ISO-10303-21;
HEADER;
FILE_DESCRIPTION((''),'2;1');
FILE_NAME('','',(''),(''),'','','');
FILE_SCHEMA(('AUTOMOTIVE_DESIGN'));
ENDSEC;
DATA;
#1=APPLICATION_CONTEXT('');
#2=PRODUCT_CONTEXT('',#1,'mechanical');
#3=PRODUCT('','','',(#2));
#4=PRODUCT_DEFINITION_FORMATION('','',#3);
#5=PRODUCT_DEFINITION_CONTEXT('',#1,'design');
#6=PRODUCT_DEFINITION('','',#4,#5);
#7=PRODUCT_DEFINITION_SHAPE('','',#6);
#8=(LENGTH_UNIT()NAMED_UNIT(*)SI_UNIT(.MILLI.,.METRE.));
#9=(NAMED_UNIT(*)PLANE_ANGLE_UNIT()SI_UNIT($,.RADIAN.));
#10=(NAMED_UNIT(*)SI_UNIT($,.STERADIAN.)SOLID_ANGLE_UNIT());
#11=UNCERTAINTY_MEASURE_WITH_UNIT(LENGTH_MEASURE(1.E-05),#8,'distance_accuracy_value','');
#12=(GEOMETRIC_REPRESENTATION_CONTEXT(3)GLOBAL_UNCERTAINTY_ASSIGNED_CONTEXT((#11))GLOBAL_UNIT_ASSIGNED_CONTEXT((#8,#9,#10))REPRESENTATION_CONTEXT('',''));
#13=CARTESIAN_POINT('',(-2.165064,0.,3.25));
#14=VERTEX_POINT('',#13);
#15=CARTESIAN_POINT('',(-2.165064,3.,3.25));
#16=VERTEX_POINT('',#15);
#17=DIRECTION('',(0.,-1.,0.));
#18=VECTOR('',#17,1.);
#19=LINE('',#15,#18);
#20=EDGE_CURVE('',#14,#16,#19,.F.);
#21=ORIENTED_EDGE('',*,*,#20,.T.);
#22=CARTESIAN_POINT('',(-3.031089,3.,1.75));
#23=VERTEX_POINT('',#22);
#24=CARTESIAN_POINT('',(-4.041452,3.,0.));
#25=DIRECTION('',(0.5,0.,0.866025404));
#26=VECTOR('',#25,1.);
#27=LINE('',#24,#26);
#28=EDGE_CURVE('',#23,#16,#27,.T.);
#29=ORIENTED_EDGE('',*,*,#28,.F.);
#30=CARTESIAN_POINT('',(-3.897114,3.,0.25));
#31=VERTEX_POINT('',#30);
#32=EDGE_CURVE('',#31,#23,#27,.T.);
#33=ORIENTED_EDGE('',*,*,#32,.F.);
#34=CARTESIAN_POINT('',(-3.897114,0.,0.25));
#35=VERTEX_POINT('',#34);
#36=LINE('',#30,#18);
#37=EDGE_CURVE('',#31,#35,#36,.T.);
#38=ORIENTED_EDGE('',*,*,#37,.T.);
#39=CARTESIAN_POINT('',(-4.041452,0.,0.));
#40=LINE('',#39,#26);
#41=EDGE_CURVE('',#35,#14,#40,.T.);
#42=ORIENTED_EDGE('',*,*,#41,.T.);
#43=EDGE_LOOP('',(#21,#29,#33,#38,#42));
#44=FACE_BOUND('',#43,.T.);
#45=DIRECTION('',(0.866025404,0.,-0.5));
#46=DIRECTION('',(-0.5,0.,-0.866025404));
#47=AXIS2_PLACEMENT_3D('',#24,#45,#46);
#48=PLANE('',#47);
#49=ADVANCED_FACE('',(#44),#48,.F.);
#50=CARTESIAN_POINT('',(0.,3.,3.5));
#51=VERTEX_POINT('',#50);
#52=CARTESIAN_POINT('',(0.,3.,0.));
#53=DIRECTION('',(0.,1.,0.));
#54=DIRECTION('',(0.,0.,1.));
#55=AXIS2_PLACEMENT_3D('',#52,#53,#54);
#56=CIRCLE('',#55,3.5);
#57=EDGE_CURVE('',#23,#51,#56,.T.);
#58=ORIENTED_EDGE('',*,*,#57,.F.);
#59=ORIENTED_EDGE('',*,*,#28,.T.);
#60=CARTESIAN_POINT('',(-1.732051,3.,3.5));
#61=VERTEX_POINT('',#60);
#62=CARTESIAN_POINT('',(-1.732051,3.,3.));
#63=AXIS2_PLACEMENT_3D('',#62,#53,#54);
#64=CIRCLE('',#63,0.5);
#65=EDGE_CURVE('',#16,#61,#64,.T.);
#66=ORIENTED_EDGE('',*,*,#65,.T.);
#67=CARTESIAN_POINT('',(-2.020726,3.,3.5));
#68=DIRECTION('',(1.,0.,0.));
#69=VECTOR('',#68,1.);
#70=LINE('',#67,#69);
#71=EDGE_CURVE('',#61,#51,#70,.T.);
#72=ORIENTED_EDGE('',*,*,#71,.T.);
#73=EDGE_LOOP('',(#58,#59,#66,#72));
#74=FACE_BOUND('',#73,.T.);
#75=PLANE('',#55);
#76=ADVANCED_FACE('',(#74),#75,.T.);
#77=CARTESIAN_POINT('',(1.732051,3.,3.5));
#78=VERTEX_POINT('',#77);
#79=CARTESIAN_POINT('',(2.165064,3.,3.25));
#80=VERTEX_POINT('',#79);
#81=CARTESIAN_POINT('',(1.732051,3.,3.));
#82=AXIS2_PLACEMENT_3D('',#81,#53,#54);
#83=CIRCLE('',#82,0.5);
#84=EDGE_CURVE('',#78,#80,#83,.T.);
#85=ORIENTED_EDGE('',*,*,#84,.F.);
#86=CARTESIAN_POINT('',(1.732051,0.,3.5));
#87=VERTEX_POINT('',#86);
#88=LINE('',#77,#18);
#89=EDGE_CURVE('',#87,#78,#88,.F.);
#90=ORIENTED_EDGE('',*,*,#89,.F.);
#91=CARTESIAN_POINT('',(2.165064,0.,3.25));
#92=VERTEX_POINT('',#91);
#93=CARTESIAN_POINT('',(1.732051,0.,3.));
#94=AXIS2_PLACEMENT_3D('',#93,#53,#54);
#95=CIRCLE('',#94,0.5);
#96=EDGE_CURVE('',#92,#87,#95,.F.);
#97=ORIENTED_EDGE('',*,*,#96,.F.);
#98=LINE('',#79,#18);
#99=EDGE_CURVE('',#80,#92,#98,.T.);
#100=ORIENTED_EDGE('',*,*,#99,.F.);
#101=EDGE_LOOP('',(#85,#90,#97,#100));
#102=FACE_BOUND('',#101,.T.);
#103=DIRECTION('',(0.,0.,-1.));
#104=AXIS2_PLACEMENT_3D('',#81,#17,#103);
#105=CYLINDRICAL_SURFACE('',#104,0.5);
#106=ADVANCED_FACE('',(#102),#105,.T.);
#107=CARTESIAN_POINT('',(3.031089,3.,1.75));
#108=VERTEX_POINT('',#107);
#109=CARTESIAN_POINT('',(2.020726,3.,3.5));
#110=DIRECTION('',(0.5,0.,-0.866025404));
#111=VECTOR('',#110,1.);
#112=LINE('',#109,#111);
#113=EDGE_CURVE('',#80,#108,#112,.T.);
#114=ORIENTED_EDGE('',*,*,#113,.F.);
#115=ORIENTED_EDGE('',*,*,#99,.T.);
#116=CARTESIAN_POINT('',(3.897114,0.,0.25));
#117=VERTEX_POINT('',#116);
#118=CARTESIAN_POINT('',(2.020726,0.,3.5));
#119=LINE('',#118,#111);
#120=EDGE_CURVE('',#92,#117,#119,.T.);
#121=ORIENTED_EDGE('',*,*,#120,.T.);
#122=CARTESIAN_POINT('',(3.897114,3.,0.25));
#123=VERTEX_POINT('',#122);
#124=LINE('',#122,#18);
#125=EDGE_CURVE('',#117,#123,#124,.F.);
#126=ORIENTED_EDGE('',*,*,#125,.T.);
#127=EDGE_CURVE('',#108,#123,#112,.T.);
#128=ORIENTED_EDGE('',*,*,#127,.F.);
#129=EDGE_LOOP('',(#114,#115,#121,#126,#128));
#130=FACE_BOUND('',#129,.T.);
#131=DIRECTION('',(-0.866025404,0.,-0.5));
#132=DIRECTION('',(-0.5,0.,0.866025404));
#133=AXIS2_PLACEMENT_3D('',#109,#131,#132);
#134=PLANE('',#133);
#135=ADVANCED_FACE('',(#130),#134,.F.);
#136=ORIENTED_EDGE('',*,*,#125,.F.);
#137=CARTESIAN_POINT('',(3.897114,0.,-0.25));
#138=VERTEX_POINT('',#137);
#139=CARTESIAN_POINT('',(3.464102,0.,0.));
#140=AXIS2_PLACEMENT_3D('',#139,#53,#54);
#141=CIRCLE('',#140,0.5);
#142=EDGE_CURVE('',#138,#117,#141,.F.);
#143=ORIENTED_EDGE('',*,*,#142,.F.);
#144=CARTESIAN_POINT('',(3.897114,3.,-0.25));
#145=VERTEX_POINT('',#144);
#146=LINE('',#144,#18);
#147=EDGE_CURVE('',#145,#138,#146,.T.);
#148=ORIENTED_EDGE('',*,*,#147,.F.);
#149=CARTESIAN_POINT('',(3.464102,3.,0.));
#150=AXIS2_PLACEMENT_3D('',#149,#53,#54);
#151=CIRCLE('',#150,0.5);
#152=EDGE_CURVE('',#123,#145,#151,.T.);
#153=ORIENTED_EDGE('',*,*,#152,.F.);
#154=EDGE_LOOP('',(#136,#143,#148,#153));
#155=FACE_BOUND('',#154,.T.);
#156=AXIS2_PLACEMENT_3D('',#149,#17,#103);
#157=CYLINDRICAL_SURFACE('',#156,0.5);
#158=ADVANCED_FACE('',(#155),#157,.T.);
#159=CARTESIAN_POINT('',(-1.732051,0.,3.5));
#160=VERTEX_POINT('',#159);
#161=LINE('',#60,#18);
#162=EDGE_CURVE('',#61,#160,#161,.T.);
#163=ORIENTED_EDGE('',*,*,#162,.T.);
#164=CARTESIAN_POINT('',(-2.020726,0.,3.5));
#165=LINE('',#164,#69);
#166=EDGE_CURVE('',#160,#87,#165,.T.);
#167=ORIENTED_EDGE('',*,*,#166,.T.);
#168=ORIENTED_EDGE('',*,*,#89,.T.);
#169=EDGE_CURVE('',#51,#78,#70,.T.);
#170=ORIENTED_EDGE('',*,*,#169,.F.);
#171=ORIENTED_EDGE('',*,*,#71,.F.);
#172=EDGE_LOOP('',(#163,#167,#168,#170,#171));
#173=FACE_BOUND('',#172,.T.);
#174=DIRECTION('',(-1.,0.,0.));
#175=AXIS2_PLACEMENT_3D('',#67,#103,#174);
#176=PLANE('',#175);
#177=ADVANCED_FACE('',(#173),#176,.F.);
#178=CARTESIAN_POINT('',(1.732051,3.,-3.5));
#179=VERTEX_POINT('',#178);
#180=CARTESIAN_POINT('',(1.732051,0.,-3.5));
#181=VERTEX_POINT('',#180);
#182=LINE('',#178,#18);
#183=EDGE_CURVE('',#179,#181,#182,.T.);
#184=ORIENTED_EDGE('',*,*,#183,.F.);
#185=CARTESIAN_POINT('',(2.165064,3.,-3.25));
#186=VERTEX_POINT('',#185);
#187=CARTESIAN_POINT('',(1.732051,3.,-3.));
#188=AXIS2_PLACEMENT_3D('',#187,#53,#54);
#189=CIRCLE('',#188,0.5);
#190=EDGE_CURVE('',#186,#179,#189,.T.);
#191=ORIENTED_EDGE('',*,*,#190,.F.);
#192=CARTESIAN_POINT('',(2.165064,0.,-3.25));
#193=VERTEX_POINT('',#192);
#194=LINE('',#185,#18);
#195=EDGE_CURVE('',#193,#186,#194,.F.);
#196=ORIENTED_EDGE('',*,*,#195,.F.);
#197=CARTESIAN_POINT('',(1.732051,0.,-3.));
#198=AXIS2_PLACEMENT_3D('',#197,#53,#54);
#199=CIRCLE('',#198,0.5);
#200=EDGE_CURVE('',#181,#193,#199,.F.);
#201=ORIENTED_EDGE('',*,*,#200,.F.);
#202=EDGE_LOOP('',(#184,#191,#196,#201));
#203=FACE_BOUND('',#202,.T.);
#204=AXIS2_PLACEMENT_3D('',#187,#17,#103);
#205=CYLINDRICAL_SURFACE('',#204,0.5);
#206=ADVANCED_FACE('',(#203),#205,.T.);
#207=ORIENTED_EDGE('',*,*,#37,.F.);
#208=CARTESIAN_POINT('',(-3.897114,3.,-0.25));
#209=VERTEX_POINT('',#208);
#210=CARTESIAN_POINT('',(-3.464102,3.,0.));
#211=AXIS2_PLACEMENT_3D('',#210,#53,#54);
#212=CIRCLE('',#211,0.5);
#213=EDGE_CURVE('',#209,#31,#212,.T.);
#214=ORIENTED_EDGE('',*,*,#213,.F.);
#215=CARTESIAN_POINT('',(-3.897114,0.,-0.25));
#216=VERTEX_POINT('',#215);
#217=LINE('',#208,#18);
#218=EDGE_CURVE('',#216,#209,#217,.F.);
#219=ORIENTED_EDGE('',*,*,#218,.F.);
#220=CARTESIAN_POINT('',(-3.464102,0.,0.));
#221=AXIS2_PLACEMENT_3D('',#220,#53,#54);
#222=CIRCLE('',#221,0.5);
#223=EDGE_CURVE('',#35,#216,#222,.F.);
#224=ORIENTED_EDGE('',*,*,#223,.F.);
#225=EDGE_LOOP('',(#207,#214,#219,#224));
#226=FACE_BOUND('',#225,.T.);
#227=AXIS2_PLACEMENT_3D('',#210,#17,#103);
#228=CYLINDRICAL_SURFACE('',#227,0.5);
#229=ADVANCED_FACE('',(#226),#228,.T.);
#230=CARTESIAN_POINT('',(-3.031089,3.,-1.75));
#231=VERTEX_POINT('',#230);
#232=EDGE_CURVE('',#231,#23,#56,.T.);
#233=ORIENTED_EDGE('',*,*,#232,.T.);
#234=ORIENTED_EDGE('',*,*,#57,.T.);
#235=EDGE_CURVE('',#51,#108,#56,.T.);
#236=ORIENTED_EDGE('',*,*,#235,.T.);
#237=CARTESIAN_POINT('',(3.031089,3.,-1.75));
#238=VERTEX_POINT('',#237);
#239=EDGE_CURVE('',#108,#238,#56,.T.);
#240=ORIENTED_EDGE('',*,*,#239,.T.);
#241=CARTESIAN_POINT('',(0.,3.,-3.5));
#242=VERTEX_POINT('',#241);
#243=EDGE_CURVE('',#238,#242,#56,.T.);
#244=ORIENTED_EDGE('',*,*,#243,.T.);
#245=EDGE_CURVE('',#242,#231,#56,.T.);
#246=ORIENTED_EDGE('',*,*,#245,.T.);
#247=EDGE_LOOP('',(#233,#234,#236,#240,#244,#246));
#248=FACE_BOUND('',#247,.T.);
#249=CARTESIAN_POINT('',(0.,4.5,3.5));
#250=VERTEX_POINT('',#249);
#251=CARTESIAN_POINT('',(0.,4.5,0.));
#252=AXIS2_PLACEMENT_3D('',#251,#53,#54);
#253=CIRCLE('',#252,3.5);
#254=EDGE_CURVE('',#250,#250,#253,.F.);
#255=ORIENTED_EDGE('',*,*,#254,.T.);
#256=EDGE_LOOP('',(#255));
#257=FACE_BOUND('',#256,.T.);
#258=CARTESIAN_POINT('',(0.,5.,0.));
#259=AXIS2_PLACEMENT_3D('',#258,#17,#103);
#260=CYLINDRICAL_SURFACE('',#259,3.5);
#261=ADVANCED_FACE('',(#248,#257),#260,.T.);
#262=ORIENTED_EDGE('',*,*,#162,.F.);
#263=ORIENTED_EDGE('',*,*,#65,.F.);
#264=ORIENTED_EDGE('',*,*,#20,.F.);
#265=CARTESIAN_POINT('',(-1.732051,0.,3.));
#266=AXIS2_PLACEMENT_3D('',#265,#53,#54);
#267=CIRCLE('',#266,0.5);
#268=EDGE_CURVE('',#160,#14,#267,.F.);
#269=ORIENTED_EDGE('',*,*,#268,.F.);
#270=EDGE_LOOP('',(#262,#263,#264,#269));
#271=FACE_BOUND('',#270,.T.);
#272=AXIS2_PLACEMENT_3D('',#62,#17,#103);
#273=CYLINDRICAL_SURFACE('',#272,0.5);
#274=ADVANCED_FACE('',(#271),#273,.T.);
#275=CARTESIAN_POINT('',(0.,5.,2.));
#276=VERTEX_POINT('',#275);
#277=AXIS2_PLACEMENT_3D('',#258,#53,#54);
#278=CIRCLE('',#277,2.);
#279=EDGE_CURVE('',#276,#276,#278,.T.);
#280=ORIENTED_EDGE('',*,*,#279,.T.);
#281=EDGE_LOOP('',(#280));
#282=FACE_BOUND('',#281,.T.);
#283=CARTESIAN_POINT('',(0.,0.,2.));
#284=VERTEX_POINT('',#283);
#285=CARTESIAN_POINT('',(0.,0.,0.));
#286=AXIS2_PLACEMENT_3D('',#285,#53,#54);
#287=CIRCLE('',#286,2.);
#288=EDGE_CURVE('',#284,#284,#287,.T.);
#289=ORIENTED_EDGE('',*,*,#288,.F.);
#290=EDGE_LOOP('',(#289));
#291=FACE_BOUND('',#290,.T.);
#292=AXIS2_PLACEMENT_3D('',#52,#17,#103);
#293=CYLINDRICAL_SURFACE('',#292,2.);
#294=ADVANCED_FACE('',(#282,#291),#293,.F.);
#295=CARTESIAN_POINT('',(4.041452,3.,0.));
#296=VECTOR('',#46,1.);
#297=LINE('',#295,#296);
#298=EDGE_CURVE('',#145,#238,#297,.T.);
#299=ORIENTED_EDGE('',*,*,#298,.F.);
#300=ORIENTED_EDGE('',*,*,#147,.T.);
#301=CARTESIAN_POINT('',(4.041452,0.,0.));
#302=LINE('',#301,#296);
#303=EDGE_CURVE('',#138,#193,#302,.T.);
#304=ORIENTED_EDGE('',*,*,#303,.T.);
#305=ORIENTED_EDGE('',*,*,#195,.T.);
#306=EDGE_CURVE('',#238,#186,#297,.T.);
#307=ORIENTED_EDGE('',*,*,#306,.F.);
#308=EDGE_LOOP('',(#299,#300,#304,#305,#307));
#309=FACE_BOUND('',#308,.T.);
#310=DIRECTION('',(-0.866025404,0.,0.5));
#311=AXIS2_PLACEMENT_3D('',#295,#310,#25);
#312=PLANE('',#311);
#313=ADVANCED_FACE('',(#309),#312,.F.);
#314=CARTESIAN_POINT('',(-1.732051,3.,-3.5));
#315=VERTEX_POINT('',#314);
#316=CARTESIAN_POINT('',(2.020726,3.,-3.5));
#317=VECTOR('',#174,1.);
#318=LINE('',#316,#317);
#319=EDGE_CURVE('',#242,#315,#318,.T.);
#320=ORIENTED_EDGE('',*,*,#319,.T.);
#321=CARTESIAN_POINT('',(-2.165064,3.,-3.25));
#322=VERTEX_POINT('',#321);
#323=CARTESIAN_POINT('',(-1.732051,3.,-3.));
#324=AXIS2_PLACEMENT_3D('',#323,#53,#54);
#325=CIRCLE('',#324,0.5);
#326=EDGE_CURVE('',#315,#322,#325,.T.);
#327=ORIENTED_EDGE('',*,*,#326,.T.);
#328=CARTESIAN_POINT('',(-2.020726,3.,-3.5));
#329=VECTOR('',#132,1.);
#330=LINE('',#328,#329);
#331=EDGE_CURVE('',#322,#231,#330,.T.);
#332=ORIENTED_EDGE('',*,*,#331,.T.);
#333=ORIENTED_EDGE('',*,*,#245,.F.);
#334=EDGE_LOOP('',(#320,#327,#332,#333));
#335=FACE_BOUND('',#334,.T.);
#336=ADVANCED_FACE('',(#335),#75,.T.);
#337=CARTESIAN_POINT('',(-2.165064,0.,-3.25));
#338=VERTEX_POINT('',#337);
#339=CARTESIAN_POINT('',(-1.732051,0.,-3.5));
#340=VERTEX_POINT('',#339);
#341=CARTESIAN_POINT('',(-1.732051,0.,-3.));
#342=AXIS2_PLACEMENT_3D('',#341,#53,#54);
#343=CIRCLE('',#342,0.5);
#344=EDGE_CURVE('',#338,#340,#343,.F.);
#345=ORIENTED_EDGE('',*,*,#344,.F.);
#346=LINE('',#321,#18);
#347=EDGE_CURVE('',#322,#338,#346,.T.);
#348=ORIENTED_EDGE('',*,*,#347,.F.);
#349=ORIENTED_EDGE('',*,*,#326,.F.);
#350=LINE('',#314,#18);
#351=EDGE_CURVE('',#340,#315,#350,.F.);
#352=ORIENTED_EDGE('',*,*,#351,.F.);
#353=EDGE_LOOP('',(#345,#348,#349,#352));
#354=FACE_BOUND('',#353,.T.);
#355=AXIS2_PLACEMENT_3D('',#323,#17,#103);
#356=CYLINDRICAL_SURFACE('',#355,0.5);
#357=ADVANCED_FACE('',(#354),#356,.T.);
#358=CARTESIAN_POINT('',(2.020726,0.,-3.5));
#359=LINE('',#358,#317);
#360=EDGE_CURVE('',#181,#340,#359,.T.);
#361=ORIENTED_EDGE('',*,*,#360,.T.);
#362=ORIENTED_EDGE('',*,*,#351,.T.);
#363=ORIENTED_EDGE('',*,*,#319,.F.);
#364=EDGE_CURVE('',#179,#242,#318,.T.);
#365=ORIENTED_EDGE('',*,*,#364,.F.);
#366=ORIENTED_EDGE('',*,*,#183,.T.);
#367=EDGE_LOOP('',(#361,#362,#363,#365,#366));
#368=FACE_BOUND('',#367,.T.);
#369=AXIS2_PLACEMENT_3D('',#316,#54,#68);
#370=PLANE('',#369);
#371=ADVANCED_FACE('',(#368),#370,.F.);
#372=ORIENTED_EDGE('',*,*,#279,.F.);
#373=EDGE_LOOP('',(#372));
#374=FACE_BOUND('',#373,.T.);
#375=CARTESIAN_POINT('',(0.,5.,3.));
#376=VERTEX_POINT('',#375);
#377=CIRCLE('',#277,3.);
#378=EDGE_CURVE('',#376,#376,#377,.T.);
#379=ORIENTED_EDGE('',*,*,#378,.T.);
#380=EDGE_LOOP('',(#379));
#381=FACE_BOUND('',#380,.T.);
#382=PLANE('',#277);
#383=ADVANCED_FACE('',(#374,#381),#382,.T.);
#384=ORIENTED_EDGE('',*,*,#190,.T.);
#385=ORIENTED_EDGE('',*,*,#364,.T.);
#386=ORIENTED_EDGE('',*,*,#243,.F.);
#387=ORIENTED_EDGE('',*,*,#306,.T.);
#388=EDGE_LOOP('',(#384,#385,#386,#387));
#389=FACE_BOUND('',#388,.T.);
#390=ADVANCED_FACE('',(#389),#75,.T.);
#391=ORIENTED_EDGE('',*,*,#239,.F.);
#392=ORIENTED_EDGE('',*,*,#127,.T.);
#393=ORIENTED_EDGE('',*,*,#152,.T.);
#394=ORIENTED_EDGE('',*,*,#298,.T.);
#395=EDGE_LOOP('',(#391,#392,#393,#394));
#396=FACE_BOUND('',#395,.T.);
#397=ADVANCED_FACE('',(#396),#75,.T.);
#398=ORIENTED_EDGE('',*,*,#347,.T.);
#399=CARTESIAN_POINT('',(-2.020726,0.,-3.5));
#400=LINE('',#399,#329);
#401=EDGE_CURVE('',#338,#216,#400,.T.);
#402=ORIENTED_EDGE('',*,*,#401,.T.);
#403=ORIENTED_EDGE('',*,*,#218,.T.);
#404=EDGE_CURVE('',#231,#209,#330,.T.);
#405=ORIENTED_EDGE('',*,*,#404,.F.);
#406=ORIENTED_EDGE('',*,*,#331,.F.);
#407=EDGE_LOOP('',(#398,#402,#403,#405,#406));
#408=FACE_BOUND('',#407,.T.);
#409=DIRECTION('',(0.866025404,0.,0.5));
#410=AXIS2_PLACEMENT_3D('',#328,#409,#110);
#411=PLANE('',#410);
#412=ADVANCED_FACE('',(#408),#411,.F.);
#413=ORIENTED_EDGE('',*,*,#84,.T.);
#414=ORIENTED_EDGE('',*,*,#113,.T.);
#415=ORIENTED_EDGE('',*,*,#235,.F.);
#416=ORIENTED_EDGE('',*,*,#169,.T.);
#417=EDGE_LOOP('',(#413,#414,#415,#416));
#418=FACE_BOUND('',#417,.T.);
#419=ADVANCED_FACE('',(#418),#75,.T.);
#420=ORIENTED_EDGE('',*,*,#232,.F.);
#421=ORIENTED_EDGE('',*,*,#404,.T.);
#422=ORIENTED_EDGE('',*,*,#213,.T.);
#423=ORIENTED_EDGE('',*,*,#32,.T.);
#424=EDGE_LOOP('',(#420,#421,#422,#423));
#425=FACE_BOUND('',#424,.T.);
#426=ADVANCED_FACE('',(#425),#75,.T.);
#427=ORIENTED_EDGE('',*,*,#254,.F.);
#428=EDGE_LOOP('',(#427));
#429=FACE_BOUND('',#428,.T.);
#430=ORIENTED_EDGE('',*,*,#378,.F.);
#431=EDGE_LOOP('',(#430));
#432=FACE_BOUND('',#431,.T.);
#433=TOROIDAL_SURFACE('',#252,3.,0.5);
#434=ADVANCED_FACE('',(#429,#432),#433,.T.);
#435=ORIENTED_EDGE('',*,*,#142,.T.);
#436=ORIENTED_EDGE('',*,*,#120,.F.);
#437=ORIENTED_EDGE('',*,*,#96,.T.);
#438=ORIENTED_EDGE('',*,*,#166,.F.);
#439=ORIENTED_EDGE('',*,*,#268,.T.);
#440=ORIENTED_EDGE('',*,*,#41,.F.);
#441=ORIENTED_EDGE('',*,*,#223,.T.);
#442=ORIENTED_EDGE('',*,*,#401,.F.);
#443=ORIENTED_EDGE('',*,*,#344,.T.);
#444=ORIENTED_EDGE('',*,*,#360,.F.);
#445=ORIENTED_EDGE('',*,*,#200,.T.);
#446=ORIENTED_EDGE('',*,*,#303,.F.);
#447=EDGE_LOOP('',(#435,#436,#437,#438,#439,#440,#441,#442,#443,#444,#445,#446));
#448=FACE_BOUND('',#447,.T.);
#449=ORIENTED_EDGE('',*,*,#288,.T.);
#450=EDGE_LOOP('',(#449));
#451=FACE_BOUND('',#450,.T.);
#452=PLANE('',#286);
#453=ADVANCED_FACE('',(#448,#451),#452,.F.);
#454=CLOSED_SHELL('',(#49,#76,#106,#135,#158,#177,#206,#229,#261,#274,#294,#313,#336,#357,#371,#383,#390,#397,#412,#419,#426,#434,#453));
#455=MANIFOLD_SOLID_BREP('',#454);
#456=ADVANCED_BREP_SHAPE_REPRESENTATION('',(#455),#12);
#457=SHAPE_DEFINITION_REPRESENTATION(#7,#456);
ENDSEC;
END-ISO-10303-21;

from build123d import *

# Parameters (mm, degrees)
SKETCH2_R           = 2
BOSS_EXTRUDE1_DEPTH = 3
SKETCH6_R           = 3.5
SKETCH6_R_2         = 2
BOSS_EXTRUDE2_DEPTH = 2
FILLET1_R           = 0.5
FILLET4_R           = 0.5


with BuildPart() as part:
    # Sketch2 → Boss-Extrude1 (new body)
    with BuildSketch(Plane(origin=(0, 0, 0), x_dir=(1, 0, 0), z_dir=(0, 1, 0))):
        Polygon((4.041451884, 0), (2.020725942, 3.5), (-2.020725942, 3.5), (-4.041451884, 0), (-2.020725942, -3.5), (2.020725942, -3.5), align=None)
        with Locations(Location((0, 0, 0), (0, 0, 270))):
            Circle(SKETCH2_R, mode=Mode.SUBTRACT)
    extrude(amount=BOSS_EXTRUDE1_DEPTH)

    # Sketch6 → Boss-Extrude2 (add)
    with BuildSketch(Plane(origin=(0, 3, 0), x_dir=(1, 0, 0), z_dir=(0, 1, 0))):
        with Locations(Location((0, 0, 0), (0, 0, 270))):
            Circle(SKETCH6_R)
        with Locations(Location((0, 0, 0), (0, 0, 270))):
            Circle(SKETCH6_R_2, mode=Mode.SUBTRACT)
    extrude(amount=BOSS_EXTRUDE2_DEPTH)

    # Fillet1
    fillet1_edges = [part.edges().sort_by_distance(p)[0] for p in [
        (0, 5, -3.5),
    ]]
    fillet(fillet1_edges, radius=FILLET1_R)

    # Fillet4
    fillet4_edges = [part.edges().sort_by_distance(p)[0] for p in [
        (2.020725942, 1.5, 3.5),
        (-2.020725942, 1.5, 3.5),
        (-4.041451884, 1.5, 0),
        (-2.020725942, 1.5, -3.5),
        (2.020725942, 1.5, -3.5),
        (4.041451884, 1.5, 0),
    ]]
    fillet(fillet4_edges, radius=FILLET4_R)


solid = part.part
